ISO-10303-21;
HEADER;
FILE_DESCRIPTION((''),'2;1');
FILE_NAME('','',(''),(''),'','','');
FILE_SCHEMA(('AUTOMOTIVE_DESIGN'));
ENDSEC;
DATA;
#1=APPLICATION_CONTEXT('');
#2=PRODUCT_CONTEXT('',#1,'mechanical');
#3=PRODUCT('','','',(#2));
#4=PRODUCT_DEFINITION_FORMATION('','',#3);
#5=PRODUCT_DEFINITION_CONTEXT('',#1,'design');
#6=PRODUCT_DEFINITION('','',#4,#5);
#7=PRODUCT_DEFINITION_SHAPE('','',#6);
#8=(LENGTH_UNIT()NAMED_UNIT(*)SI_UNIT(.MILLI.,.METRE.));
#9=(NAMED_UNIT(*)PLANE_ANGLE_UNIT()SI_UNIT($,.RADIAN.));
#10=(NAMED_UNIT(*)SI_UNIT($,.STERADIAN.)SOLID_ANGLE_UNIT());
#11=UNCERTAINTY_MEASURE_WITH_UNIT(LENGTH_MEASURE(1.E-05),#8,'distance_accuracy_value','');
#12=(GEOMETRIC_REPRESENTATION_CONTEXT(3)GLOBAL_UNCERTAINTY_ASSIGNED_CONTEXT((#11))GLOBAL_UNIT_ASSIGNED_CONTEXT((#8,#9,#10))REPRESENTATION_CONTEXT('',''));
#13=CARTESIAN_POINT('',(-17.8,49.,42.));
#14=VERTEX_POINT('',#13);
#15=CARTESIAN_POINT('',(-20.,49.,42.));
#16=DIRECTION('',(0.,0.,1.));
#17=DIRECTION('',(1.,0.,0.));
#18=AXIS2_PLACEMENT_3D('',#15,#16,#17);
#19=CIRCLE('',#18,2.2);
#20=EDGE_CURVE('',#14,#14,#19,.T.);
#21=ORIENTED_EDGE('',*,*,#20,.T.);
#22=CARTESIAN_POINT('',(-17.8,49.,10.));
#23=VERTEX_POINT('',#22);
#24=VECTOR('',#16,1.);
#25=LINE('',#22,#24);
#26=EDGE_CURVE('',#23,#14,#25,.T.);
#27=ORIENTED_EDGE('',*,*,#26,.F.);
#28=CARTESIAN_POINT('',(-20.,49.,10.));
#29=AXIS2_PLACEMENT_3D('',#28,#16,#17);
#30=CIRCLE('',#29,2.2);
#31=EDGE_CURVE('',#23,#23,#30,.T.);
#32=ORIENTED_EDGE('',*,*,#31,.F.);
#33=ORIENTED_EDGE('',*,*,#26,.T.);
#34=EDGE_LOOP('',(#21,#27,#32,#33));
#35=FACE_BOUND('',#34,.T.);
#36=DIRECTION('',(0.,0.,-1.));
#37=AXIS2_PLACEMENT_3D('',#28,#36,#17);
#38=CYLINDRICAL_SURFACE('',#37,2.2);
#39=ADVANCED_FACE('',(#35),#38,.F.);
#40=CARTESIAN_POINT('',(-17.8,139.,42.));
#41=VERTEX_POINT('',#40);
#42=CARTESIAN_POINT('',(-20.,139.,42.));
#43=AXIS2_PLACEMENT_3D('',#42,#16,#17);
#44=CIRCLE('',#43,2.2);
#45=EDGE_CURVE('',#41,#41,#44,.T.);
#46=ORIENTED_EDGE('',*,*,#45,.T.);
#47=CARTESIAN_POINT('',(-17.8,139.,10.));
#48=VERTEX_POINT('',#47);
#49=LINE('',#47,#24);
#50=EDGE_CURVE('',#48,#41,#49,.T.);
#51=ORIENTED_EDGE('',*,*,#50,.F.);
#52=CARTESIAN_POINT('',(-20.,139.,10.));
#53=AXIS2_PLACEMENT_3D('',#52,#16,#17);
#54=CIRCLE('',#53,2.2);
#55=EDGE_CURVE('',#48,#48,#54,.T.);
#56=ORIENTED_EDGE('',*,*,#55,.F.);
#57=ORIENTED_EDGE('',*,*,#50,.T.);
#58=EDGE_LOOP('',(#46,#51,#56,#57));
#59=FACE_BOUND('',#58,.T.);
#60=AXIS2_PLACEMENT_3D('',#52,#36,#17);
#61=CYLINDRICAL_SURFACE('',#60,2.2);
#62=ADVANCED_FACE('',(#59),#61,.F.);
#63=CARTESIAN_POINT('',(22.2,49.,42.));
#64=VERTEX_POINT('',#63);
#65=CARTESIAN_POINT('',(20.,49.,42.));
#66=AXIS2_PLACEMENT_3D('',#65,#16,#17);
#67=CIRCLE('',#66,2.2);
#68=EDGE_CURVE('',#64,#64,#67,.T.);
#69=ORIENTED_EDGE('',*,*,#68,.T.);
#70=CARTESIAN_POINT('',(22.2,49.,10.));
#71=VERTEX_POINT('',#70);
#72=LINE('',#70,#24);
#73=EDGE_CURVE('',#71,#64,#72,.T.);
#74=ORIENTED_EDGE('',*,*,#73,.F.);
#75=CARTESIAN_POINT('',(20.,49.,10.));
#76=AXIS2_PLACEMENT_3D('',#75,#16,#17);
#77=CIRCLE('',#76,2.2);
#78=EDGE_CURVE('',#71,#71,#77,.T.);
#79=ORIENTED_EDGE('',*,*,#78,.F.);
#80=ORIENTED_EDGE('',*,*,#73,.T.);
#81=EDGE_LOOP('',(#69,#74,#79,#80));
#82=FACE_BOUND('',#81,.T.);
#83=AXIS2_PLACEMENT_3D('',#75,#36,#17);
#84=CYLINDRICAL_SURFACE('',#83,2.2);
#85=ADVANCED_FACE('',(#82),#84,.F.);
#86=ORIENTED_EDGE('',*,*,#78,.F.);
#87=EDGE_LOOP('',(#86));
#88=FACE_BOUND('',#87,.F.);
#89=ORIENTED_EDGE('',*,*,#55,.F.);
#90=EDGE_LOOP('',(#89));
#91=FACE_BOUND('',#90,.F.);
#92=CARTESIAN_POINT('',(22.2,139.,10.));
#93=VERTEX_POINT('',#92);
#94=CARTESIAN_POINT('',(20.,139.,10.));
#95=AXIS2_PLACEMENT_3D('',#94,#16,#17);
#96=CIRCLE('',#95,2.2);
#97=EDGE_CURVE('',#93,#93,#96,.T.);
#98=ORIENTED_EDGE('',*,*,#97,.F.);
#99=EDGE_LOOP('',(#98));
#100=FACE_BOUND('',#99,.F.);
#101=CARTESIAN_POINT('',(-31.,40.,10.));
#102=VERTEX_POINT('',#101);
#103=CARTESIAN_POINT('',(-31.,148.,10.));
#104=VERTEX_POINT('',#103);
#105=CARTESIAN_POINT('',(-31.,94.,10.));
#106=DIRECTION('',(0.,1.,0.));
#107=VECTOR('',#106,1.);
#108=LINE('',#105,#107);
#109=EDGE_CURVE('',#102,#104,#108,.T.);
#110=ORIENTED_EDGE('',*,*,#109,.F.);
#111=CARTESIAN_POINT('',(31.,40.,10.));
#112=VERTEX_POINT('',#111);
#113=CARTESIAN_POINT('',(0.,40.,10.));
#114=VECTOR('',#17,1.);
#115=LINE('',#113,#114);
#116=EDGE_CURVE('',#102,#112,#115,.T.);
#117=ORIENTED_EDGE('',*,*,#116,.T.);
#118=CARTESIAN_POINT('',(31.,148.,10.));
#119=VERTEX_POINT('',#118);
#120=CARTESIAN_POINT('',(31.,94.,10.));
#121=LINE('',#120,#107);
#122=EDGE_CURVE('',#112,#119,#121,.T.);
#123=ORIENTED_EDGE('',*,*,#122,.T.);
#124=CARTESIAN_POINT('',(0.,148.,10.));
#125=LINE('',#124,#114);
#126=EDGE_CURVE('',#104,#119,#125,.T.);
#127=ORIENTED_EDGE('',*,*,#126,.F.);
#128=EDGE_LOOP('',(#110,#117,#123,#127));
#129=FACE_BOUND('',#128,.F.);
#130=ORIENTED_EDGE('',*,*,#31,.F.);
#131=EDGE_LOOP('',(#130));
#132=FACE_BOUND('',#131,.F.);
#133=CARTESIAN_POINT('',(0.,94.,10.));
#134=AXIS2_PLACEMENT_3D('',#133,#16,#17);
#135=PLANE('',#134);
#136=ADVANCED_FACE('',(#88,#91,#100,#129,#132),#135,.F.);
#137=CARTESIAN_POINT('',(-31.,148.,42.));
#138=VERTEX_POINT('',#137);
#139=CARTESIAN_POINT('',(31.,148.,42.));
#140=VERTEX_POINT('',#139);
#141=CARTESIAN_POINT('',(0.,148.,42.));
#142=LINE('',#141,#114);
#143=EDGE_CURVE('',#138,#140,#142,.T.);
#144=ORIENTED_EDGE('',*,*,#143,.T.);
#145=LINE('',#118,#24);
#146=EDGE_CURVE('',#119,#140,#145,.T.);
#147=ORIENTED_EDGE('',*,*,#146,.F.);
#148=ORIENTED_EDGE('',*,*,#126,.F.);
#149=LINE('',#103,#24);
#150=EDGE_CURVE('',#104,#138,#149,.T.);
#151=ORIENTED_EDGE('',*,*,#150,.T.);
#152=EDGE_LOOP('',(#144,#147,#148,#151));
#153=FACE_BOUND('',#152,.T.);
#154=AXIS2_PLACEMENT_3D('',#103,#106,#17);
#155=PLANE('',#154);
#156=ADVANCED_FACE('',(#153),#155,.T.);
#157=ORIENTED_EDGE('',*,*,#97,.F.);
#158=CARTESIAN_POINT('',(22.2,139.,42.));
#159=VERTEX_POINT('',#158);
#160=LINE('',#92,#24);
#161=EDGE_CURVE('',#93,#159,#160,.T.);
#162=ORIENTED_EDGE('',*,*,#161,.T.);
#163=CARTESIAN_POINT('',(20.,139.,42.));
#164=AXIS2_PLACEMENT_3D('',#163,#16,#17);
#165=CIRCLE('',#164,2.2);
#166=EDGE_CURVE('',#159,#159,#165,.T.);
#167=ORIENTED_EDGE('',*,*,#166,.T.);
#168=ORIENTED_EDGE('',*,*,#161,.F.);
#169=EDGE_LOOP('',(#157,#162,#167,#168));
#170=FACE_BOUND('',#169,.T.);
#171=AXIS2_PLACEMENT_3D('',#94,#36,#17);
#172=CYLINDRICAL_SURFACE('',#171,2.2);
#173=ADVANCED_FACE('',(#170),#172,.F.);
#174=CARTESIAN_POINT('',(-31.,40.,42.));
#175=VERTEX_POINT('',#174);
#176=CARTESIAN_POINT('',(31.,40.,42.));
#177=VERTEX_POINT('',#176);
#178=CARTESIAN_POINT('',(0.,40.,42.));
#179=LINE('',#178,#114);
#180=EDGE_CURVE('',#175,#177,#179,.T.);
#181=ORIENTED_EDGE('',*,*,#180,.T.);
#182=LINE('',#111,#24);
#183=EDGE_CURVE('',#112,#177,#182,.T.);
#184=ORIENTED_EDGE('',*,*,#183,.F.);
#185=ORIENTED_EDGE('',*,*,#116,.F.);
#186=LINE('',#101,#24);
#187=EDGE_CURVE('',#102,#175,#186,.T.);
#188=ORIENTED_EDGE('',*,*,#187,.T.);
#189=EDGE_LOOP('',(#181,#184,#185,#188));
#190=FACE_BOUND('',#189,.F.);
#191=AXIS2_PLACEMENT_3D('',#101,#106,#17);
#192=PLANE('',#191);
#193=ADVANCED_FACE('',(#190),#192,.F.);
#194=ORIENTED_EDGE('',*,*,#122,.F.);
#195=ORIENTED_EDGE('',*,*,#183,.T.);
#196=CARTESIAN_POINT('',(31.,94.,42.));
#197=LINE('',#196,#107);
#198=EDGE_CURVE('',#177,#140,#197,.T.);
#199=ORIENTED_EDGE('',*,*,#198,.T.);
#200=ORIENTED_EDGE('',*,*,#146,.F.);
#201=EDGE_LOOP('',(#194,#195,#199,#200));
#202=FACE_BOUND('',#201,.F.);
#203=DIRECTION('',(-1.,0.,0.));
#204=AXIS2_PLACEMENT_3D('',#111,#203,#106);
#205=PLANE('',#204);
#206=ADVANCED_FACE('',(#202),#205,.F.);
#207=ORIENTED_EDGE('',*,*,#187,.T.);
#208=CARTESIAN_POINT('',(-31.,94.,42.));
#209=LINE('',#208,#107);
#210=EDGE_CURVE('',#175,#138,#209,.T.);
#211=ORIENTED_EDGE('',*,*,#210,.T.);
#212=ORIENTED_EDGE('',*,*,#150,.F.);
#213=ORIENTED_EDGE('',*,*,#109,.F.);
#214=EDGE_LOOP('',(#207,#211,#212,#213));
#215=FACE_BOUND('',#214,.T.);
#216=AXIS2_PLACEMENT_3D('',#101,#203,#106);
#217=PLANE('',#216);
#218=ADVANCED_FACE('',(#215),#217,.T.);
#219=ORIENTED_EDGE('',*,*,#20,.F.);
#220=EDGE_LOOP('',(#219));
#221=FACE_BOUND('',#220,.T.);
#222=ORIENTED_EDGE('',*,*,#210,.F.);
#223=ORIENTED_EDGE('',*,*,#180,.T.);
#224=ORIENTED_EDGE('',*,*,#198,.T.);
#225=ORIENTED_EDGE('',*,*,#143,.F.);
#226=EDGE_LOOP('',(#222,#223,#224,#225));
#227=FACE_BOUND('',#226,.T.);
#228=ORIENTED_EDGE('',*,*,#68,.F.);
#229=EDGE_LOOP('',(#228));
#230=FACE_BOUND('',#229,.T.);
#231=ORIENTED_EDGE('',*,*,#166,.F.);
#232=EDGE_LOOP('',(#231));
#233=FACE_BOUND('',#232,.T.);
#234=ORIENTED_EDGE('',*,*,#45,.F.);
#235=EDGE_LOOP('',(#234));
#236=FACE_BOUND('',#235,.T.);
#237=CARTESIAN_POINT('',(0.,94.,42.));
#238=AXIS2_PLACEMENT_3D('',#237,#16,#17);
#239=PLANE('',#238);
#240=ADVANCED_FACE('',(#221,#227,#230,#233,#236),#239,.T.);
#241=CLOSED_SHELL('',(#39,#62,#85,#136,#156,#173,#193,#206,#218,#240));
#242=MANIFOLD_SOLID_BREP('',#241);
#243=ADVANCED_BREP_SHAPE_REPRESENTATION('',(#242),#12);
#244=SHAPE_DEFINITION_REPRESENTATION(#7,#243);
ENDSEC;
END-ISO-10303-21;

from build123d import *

# Parameters (mm, degrees)
CYLINDER005_R     = 2.2
CYLINDER005_DEPTH = 32
ARRAY004_X_COUNT  = 2
ARRAY004_X_PITCH  = 40
ARRAY004_Y_COUNT  = 2
ARRAY004_Y_PITCH  = 90
BOX005_W          = 62
BOX005_H          = 108
BOX005_DEPTH      = 32


with BuildPart() as psu_mockup_hole_array:
    # Cylinder005 → Cylinder005 (new body)
    with BuildSketch(Plane.XY):
        Circle(CYLINDER005_R)
    extrude(amount=CYLINDER005_DEPTH)

    # Array004 X: psu mockup hole array ×2


with BuildPart() as psu_mockup_hole_array_1:
    add(psu_mockup_hole_array.part)
    with Locations(*[(i * ARRAY004_X_PITCH, 0, 0) for i in range(1, ARRAY004_X_COUNT)]):
        add(psu_mockup_hole_array.part)

    # Array004 Y: psu mockup hole array ×2


with BuildPart() as psu_mockup_hole_array_2:
    add(psu_mockup_hole_array_1.part)
    with Locations(*[(0, i * ARRAY004_Y_PITCH, 0) for i in range(1, ARRAY004_Y_COUNT)]):
        add(psu_mockup_hole_array_1.part)


with BuildPart() as psu_mockup_hole_array_3:
    # Array004 placement: moved
    add(psu_mockup_hole_array_2.part.moved(Location((11, 9, 0))))


with BuildPart() as psu_mockup_with_holes:
    # Box005 → Box005 (new body)
    with BuildSketch(Plane.XY):
        with Locations((31, 54)):
            Rectangle(BOX005_W, BOX005_H)
    extrude(amount=BOX005_DEPTH)

    # Cut003: cut psu mockup hole array
    add(psu_mockup_hole_array_3.part, mode=Mode.SUBTRACT)


with BuildPart() as psu_mockup_with_holes_1:
    # Cut003 placement: moved
    add(psu_mockup_with_holes.part.moved(Location((-31, 40, 10))))


solid = psu_mockup_with_holes_1.part
